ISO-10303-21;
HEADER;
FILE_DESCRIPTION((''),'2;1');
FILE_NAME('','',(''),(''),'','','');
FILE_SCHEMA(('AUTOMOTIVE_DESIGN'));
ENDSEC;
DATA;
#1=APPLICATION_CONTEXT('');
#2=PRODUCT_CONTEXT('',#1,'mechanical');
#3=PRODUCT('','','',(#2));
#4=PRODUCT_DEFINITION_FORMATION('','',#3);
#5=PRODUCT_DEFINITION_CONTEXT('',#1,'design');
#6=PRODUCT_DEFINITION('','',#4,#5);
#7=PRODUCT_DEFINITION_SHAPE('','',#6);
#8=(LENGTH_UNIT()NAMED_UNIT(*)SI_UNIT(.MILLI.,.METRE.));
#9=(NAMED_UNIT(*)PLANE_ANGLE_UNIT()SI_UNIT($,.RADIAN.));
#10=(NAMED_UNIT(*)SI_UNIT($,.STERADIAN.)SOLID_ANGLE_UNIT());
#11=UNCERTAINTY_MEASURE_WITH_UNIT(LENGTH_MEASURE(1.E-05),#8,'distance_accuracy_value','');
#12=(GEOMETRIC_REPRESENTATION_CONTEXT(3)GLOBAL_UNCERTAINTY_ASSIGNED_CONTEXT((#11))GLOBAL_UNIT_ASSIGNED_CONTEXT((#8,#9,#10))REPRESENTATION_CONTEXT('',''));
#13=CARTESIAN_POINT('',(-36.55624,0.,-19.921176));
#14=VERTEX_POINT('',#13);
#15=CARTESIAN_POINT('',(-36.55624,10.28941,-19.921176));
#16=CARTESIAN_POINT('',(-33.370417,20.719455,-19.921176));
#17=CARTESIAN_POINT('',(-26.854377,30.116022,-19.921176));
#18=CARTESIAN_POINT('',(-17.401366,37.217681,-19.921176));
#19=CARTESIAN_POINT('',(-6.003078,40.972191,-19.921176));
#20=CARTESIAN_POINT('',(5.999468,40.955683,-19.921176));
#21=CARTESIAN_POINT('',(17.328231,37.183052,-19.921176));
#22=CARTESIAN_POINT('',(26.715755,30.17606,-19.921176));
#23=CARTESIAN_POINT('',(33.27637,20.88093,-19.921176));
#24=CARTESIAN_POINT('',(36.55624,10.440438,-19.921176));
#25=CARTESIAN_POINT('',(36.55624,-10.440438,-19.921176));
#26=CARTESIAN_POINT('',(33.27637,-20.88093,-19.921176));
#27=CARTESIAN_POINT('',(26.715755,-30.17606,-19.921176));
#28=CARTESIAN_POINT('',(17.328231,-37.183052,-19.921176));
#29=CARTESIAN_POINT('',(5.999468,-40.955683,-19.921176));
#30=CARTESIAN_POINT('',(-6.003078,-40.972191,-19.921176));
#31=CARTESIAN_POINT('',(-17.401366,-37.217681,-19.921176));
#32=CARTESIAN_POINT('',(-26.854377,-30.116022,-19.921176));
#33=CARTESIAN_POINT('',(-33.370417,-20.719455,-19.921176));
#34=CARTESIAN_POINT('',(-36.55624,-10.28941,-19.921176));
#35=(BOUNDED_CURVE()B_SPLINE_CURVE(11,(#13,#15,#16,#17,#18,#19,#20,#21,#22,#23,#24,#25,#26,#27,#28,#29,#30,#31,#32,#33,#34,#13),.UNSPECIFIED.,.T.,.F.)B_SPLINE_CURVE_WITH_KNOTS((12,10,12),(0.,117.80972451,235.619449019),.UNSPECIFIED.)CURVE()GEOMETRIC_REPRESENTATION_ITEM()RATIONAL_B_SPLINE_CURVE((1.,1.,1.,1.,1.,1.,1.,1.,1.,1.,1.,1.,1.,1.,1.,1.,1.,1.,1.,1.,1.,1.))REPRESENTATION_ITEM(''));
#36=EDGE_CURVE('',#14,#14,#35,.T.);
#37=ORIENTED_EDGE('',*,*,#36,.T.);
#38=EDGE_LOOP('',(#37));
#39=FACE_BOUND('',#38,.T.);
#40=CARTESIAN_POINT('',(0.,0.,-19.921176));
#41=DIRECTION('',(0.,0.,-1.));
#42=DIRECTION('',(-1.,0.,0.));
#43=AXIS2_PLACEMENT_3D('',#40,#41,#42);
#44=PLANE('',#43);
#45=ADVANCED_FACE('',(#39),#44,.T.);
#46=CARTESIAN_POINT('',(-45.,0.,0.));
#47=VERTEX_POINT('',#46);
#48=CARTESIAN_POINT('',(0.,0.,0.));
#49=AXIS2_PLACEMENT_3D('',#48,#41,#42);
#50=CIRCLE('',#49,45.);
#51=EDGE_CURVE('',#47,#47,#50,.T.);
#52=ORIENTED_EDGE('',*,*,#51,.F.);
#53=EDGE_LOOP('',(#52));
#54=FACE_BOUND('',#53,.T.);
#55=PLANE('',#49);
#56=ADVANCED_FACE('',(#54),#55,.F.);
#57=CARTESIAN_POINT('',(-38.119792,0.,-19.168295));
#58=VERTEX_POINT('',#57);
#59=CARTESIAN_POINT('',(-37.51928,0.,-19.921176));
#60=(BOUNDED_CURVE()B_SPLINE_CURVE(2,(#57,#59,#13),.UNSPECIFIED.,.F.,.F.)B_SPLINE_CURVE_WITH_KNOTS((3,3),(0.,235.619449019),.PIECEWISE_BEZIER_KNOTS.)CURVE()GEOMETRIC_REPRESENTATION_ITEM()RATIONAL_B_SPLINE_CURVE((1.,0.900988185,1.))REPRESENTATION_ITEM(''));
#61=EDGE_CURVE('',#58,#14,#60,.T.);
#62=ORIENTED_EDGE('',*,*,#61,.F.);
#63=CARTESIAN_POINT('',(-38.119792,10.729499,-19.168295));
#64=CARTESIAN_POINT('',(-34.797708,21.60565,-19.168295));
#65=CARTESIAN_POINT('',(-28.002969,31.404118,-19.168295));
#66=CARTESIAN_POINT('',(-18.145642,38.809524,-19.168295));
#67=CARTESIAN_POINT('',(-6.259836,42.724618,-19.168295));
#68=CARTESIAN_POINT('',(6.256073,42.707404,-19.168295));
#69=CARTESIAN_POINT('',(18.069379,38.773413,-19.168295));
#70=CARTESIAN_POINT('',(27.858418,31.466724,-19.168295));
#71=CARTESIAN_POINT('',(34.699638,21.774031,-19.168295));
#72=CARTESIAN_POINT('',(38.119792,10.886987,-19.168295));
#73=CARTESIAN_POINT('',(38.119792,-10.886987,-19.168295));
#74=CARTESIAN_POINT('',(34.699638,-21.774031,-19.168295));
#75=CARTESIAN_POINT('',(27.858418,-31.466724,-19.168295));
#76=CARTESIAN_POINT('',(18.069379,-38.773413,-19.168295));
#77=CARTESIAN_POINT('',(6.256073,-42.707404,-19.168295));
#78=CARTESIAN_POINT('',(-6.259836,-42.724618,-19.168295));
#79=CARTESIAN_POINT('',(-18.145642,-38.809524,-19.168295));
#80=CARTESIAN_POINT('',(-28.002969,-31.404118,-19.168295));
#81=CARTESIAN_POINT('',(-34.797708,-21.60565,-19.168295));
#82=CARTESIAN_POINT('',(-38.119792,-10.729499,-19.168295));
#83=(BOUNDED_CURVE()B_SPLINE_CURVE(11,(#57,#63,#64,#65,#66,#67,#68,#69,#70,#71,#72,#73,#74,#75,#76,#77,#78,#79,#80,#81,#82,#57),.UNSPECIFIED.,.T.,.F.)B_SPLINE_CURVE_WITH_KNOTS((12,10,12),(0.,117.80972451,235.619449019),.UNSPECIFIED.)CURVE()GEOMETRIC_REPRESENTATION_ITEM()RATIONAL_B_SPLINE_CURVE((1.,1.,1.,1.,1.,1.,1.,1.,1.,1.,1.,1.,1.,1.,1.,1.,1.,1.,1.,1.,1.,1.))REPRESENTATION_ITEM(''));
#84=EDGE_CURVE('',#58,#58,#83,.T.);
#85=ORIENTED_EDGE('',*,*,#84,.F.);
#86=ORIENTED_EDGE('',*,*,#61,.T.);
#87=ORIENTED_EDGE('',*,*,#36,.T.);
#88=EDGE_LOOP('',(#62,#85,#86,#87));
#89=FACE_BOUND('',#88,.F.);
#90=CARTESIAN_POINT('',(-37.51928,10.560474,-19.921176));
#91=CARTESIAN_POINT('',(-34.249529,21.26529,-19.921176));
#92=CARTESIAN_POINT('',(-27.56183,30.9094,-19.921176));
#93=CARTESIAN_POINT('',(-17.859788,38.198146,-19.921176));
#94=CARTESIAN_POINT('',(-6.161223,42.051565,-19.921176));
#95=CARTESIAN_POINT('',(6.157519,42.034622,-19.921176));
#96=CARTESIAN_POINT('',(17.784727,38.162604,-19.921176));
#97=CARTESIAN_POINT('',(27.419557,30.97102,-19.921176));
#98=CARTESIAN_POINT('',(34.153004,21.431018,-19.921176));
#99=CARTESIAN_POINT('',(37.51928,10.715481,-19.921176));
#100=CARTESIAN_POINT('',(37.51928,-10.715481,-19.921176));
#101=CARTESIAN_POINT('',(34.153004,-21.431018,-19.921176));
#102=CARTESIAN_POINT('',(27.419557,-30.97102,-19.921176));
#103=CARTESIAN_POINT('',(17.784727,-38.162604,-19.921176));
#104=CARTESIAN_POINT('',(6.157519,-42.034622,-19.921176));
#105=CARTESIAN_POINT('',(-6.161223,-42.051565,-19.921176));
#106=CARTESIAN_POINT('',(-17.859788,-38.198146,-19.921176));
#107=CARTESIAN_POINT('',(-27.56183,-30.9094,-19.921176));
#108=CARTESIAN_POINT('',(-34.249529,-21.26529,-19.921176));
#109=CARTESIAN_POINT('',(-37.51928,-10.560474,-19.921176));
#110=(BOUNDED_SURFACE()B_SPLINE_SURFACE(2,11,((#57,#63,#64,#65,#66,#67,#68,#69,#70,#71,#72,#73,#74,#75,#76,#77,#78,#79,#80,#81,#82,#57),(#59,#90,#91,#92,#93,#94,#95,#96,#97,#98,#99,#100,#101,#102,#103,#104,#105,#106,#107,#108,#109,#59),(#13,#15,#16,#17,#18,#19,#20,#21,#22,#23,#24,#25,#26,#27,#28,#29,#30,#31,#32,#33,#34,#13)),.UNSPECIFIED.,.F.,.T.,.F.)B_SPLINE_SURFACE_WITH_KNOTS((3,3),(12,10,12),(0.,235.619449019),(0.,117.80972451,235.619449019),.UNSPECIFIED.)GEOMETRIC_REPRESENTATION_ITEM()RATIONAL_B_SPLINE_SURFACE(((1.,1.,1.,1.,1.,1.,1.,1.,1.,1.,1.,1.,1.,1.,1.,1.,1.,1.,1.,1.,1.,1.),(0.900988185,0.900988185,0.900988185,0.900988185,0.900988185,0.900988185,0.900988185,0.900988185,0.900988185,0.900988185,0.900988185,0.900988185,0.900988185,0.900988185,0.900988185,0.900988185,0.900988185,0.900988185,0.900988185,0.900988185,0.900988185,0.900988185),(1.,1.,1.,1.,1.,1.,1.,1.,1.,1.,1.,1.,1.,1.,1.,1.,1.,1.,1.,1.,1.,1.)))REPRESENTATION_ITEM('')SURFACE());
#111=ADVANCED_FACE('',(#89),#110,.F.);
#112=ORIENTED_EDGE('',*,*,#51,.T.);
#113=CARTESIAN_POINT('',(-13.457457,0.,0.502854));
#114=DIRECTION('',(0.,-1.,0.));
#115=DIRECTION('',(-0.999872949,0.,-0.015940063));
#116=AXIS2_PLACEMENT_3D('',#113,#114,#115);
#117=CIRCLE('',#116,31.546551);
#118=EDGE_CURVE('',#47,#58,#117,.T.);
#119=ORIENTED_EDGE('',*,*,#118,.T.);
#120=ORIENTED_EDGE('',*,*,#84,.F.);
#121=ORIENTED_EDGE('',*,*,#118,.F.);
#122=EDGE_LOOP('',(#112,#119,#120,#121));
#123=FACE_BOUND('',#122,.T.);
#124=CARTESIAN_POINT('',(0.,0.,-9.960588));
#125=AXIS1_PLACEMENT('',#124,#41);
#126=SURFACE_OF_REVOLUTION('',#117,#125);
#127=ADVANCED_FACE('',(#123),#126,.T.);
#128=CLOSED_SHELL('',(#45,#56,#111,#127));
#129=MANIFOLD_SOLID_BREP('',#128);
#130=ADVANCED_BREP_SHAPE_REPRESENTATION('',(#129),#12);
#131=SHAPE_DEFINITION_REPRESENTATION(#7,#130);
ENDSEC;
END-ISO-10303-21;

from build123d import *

# Parameters (mm, degrees)
F3_R = 2


with BuildPart() as f2:
    # F1 (on Front) → F2 (revolve)
    with BuildSketch(Plane.XZ):
        with BuildLine():
            Line((0, -19.921176), (0, 0))
            Line((0, 0), (-45, 0))
            ThreePointArc((-45, 0), (-42.980986, -10.612276), (-37.5, -19.921176))
            Line((-37.5, -19.921176), (0, -19.921176))
        make_face()
    revolve(axis=Axis((0, 0, -9.960588), (0, 0, -1)))

    # F3
    f3_edges = [f2.edges().sort_by_distance(p)[0] for p in [
        (37.5, 0, -19.921176),
    ]]
    fillet(f3_edges, radius=F3_R)


solid = f2.part
